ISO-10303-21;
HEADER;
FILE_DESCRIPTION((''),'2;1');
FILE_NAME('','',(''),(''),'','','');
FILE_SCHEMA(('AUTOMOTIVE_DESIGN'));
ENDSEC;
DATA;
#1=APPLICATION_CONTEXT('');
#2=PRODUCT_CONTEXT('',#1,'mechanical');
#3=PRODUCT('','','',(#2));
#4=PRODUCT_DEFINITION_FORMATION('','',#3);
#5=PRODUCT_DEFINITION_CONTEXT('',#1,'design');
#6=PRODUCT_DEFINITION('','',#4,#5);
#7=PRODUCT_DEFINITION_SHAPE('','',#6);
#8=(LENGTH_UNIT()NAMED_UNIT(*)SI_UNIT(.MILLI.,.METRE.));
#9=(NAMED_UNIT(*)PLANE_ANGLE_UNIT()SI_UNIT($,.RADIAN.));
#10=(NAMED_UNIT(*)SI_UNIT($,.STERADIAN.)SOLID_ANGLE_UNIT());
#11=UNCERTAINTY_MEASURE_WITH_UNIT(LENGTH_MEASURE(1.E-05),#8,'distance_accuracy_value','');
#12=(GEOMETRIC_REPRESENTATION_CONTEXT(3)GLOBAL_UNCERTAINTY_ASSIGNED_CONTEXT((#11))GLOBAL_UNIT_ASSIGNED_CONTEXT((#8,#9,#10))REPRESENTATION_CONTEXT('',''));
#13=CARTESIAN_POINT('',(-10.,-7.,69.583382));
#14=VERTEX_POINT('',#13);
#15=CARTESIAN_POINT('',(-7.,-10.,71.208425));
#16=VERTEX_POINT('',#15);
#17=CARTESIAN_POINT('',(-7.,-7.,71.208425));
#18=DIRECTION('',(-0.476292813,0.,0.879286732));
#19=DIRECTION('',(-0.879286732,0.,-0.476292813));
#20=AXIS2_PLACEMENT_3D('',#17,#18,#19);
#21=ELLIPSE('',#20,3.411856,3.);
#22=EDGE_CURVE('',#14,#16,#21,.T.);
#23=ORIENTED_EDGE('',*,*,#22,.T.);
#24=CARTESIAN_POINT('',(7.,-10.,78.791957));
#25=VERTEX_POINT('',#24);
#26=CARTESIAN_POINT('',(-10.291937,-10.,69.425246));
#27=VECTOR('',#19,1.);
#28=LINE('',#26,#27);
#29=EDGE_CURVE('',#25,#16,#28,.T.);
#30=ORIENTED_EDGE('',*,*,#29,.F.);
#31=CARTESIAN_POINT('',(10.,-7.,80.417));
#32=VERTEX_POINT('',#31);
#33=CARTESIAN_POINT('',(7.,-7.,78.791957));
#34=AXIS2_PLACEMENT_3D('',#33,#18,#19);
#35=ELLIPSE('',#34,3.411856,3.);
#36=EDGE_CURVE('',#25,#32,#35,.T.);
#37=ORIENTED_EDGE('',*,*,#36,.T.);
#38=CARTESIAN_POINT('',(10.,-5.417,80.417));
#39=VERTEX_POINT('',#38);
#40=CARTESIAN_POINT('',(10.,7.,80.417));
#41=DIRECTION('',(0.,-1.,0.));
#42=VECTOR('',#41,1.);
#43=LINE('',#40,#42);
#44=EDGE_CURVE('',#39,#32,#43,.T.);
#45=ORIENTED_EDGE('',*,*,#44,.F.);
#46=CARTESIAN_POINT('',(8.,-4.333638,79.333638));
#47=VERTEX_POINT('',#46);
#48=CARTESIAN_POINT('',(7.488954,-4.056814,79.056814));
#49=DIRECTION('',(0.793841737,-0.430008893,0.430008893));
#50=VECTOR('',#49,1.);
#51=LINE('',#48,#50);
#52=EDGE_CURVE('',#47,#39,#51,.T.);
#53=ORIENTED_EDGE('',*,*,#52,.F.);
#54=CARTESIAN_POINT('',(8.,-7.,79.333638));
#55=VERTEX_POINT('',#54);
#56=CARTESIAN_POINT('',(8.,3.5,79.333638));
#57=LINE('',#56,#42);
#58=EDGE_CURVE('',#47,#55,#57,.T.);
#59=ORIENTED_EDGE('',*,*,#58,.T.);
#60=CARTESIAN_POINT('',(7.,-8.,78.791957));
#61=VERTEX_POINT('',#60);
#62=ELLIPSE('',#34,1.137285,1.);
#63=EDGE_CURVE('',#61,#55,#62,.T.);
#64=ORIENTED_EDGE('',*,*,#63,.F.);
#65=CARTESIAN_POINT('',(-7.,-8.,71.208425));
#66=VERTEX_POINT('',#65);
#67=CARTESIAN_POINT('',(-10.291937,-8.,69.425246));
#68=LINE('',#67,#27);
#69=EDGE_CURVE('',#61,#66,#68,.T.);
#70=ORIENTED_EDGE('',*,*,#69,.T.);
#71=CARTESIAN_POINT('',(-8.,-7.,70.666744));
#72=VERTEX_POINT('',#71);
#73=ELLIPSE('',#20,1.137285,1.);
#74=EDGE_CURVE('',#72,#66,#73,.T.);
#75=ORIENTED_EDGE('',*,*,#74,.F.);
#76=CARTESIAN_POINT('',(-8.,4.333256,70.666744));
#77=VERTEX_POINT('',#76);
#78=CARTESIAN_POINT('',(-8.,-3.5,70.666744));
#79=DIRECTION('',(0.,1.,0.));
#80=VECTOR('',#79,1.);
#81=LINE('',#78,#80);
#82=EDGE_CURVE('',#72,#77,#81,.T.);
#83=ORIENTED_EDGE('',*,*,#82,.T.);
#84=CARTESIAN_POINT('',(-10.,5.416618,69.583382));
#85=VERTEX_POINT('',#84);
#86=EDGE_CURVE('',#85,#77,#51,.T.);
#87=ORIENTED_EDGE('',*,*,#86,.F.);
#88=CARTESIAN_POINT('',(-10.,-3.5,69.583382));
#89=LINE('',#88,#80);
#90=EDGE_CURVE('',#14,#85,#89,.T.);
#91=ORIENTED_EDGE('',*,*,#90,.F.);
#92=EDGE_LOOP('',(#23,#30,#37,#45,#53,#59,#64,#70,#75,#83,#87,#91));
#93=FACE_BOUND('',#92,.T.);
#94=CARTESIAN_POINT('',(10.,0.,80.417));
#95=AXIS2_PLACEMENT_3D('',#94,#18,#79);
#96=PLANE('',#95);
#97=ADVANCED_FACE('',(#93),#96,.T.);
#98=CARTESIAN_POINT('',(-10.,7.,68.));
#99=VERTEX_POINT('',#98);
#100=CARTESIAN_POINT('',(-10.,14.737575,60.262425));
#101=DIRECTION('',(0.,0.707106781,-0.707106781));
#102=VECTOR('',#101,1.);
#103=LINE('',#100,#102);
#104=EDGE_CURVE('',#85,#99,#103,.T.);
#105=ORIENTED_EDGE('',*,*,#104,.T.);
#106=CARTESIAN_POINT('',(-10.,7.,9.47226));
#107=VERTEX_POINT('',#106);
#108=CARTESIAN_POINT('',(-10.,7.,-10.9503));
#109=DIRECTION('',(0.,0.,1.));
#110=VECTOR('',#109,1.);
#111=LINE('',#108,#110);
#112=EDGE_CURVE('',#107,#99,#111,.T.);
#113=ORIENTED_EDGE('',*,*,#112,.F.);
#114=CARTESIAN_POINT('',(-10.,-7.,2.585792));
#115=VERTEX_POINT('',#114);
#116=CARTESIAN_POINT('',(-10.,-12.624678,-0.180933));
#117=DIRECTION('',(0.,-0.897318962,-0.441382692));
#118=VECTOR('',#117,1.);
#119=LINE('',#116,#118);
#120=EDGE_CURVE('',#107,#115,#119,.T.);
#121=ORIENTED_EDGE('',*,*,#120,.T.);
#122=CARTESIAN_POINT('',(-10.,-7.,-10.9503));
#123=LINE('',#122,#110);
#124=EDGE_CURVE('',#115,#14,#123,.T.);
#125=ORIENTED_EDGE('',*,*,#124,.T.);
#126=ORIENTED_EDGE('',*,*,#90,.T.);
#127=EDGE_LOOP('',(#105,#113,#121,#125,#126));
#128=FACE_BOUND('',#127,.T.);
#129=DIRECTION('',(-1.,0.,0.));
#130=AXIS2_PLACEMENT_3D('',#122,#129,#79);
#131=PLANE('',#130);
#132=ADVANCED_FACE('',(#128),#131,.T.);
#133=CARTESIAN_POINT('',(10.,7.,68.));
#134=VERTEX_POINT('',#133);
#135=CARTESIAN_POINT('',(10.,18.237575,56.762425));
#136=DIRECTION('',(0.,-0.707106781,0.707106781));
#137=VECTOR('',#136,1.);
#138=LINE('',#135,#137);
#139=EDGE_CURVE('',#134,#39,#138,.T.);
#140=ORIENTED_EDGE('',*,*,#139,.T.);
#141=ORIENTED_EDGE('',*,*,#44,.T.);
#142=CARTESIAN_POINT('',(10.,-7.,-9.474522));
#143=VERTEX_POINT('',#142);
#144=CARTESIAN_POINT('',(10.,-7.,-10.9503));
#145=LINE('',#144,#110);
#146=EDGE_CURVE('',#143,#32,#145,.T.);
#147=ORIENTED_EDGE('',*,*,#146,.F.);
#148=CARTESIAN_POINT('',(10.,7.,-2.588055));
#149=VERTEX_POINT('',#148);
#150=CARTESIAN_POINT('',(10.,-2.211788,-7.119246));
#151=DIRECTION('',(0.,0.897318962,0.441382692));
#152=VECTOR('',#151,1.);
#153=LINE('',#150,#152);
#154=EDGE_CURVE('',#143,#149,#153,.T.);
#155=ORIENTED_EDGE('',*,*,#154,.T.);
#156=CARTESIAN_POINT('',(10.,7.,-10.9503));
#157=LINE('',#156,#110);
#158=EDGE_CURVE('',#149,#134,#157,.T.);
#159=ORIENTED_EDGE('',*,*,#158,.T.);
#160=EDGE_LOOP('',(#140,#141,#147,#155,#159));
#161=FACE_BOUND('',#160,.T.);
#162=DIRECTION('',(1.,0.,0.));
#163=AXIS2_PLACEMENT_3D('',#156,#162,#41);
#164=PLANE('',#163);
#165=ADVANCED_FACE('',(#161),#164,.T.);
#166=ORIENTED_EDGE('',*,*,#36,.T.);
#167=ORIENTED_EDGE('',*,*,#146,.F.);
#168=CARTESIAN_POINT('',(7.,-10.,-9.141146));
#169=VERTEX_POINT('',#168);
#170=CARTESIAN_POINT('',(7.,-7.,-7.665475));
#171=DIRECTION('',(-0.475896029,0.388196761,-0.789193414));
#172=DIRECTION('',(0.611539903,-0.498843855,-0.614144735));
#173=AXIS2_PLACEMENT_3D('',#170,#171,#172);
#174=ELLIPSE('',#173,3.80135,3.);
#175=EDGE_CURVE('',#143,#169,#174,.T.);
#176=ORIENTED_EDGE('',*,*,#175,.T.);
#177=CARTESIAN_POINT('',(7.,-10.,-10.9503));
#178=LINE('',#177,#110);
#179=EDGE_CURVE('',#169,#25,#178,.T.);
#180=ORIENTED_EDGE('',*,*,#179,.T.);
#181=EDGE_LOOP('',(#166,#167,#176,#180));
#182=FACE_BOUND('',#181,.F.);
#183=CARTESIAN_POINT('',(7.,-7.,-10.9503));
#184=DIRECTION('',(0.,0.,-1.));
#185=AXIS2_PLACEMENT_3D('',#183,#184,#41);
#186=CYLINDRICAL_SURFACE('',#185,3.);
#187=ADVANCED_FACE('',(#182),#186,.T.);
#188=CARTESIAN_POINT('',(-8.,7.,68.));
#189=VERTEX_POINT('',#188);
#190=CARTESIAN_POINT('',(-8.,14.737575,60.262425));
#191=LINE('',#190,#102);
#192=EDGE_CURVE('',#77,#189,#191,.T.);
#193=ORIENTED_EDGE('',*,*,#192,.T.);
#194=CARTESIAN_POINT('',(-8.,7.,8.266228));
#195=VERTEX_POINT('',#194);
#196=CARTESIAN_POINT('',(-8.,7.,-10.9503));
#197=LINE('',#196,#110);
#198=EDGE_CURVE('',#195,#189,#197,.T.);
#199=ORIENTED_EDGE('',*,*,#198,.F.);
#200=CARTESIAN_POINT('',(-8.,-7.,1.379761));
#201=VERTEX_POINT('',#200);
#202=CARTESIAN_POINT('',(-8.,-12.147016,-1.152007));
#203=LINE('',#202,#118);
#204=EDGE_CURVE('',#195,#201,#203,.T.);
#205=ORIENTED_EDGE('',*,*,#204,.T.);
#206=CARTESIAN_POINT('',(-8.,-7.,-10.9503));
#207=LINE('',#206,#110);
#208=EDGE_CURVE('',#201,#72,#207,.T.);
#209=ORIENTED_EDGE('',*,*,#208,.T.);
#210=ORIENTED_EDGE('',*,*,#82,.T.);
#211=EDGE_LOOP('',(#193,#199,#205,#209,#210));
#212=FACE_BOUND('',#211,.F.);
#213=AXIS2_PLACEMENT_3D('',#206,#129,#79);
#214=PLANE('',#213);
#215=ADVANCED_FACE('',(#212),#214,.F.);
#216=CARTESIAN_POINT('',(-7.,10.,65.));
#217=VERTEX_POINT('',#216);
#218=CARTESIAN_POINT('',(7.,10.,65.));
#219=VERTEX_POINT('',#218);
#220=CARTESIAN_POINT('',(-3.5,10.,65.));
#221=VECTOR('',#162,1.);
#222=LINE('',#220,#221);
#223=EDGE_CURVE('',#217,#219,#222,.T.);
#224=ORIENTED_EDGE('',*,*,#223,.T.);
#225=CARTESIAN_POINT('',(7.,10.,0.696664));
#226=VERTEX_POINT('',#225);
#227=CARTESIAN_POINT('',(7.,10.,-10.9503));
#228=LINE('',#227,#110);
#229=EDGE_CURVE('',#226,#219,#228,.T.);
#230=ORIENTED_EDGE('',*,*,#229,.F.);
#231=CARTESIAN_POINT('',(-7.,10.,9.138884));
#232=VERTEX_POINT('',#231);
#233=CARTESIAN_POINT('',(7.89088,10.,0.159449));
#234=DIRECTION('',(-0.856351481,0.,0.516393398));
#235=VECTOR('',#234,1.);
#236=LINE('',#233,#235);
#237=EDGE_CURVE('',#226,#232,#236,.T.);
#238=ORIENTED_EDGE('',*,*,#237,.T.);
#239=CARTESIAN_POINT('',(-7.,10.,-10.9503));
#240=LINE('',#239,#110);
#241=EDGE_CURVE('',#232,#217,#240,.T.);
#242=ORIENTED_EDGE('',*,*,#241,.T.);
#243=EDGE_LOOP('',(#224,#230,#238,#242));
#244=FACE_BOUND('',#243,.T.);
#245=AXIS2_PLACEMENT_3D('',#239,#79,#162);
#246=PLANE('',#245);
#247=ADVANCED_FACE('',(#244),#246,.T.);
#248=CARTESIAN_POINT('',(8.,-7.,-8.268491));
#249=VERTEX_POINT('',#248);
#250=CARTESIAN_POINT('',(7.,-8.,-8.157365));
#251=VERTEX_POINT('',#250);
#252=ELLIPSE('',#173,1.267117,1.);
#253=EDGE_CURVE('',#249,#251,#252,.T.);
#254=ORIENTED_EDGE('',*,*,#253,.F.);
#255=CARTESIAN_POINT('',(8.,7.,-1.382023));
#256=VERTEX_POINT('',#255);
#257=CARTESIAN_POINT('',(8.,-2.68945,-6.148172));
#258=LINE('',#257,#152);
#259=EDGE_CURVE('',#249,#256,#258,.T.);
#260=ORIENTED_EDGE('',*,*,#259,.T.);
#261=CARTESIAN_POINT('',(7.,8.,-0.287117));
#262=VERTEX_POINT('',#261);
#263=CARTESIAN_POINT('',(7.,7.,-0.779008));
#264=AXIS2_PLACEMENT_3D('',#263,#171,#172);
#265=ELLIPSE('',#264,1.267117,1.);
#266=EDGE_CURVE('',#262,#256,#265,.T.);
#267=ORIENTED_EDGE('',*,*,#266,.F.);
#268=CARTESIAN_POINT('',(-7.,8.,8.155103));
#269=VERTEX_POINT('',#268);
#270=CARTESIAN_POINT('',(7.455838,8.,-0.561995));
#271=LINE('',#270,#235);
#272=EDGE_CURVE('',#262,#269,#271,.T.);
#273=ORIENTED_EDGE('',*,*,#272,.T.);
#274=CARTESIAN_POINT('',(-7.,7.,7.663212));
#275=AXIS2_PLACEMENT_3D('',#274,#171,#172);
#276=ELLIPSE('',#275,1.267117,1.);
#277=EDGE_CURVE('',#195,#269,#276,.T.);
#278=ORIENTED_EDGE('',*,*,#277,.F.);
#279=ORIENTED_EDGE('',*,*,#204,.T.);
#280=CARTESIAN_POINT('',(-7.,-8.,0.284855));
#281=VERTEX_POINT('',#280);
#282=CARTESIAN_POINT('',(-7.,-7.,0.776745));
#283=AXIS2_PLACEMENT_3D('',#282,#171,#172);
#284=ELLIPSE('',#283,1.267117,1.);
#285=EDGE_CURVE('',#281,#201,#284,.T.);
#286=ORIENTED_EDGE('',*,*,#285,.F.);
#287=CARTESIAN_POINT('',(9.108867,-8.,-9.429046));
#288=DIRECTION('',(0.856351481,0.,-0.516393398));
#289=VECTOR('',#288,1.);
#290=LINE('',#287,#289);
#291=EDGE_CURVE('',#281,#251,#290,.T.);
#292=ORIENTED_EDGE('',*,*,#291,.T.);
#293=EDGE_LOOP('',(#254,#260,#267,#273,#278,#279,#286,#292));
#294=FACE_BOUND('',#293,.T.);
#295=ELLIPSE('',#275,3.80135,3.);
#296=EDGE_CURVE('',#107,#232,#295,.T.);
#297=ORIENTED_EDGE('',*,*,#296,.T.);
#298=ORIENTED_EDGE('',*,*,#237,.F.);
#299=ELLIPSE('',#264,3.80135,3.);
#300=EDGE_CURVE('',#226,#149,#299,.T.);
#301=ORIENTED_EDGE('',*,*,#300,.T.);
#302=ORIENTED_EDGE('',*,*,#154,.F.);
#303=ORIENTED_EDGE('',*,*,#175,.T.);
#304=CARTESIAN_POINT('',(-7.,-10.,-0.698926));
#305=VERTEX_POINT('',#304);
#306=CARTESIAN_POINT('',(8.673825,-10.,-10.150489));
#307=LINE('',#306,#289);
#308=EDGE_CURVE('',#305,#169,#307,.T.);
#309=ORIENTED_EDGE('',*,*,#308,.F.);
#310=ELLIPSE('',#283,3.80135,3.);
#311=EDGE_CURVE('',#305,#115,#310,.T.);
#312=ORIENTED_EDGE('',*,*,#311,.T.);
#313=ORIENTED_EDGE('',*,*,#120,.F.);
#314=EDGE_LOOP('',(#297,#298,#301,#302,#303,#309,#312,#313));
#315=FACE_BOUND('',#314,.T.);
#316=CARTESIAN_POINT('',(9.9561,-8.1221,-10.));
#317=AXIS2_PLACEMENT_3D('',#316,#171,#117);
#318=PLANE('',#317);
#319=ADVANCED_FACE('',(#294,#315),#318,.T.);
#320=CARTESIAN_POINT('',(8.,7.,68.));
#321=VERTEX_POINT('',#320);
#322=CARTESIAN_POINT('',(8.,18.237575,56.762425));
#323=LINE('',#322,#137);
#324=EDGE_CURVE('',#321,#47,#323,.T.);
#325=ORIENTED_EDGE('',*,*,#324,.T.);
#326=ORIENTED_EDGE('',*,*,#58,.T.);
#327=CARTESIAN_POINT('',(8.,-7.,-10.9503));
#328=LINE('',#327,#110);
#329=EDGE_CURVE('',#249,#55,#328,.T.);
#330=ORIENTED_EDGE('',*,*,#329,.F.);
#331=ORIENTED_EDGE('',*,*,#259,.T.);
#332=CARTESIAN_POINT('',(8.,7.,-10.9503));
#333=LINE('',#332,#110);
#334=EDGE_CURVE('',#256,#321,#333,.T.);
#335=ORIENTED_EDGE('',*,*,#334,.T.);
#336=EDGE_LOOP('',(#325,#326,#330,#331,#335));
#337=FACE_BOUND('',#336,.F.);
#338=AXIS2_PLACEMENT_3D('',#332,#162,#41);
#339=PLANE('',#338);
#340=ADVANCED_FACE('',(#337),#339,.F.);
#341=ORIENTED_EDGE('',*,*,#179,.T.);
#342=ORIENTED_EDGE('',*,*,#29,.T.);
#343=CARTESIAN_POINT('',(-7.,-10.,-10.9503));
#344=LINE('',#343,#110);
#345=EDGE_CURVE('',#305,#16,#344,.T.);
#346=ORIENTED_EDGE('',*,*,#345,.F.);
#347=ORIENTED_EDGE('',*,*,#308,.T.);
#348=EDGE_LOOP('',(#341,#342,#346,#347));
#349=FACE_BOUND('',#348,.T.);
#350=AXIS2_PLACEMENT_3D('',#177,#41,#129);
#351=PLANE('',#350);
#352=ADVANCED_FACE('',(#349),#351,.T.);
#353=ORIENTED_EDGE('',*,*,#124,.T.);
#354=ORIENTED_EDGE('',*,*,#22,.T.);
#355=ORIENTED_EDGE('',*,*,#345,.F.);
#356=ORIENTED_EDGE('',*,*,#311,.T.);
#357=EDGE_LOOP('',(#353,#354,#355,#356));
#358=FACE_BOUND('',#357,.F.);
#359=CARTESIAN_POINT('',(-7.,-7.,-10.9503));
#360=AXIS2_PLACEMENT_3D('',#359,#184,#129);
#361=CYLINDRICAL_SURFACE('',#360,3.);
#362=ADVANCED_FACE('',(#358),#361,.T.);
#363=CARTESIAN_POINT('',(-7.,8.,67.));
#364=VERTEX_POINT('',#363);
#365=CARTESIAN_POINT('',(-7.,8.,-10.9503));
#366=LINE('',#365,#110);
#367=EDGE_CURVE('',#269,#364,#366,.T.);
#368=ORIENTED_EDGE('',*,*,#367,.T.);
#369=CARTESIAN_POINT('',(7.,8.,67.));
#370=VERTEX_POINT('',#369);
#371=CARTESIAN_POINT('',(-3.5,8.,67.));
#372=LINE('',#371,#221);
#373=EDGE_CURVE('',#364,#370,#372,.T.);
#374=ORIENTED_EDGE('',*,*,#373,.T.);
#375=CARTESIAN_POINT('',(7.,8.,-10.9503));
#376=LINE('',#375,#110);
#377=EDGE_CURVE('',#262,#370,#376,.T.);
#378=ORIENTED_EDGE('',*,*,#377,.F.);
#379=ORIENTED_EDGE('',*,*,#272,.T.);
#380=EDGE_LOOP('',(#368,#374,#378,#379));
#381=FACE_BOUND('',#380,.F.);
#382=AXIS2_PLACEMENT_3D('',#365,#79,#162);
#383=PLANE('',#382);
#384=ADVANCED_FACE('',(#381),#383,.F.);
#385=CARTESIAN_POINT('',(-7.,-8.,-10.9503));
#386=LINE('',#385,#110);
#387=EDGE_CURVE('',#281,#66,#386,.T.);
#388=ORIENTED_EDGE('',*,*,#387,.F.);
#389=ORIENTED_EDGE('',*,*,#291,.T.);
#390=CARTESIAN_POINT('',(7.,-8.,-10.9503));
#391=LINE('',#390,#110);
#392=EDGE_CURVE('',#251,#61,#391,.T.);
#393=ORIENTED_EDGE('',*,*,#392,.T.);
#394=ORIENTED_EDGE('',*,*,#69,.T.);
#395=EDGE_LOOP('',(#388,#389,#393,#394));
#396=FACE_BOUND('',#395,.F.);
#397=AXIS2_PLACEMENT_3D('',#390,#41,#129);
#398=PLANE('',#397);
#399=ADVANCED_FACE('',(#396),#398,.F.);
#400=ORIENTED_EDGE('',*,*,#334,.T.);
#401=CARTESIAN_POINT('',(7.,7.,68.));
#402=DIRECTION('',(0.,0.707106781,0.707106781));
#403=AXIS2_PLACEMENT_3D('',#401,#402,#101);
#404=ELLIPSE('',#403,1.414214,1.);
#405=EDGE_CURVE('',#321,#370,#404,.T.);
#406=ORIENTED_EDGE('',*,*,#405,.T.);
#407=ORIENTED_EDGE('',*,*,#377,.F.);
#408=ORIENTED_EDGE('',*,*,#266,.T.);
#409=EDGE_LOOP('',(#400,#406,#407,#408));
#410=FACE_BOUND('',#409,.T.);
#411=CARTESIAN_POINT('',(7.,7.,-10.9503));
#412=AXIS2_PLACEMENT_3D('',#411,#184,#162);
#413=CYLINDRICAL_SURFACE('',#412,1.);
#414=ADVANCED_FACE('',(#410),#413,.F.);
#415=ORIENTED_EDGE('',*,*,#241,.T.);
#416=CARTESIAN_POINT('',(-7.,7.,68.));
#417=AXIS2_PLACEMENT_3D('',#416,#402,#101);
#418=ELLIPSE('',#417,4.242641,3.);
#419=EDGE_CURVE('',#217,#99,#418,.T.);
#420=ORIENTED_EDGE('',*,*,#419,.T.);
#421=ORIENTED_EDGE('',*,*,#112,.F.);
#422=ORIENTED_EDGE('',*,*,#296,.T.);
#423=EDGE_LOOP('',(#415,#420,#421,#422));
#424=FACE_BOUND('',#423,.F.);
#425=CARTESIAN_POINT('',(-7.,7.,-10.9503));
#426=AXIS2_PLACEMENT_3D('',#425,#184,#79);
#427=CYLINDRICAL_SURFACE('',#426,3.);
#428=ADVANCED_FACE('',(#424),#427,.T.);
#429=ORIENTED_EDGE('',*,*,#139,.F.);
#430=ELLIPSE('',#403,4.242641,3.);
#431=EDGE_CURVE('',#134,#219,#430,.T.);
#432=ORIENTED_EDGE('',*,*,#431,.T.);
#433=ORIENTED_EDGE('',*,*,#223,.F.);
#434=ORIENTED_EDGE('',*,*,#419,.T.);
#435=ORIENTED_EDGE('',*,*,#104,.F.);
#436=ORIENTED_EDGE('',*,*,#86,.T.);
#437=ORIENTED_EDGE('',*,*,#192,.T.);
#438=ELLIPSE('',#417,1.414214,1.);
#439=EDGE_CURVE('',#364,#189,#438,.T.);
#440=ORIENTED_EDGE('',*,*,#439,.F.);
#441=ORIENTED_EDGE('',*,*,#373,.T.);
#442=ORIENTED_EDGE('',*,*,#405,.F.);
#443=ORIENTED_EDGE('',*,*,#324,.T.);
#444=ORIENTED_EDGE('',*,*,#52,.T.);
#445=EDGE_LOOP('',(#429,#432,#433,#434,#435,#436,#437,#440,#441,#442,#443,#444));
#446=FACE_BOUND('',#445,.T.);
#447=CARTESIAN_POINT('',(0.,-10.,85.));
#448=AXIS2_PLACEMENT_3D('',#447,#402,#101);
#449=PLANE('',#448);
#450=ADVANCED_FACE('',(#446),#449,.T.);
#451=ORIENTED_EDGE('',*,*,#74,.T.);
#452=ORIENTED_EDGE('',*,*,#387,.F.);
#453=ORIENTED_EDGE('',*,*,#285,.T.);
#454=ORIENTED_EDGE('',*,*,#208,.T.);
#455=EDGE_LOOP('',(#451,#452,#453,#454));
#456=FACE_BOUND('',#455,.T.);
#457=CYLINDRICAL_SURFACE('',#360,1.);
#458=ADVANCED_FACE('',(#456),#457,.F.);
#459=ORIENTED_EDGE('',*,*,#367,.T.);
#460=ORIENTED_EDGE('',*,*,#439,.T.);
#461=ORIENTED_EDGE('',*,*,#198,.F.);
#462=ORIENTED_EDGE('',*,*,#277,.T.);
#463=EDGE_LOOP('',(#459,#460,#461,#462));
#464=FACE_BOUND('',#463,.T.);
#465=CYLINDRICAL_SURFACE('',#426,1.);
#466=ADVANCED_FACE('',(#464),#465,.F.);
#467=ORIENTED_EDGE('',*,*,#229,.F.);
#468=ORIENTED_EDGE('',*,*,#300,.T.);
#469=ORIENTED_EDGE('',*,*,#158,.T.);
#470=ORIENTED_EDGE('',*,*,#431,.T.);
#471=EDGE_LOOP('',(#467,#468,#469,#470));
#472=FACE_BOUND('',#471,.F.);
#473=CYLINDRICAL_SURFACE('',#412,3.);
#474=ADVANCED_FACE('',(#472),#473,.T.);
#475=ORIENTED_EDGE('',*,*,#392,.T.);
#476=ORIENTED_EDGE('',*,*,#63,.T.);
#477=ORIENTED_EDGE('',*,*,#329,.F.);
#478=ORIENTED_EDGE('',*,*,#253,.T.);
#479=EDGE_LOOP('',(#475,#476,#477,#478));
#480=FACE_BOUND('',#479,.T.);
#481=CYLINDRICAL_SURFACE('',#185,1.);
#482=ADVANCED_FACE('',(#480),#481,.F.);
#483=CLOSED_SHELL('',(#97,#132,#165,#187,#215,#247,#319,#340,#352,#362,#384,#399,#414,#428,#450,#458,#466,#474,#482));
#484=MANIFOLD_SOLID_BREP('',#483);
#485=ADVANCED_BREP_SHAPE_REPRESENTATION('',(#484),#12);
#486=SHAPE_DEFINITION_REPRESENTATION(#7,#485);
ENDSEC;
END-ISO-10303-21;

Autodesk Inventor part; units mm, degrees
ref_plane "Start Plane" through (0, 0, -10.9503) normal (0, 0, 1) x (1, 0, 0)
ref_plane "End Plane" through (0, 0, 80.417) normal (0, 0, 1) x (1, 0, 0)
sketch "Sketch" plane through (0, 0, 0) normal (0, 0, 1) x (1, 0, 0)
  line L0 (-10, -7) -> (-10, 7)
  line L1 (-7, 10) -> (7, 10)
  line L2 (10, 7) -> (10, -7)
  line L3 (7, -10) -> (-7, -10)
  arc A0 (-10, -7) -> (-7, -10) centre (-7, -7) ccw
  arc A1 (-7, 10) -> (-10, 7) centre (-7, 7) ccw
  arc A2 (10, 7) -> (7, 10) centre (7, 7) ccw
  arc A3 (7, -10) -> (10, -7) centre (7, -7) ccw
  arc A4 (-7, 8) -> (-8, 7) centre (-7, 7) ccw
  line L4 (-7, 8) -> (7, 8)
  arc A5 (8, 7) -> (7, 8) centre (7, 7) ccw
  line L5 (8, 7) -> (8, -7)
  arc A6 (7, -8) -> (8, -7) centre (7, -7) ccw
  line L6 (7, -8) -> (-7, -8)
  arc A7 (-8, -7) -> (-7, -8) centre (-7, -7) ccw
  line L7 (-8, -7) -> (-8, 7)
  line L8 (0, 14.8698) -> (0, -14.8698) construction
  line L9 (-14.8698, 0) -> (14.8698, 0) construction
  dimension "d7" = 3
  dimension "d10" = 20
  dimension "d11" = 20
  dimension "d12" = 2
  dimension "d15" = 10
  dimension "d16" = 10
extrude "Body" add sketch "Sketch" along normal up to surface (91.3673 mm away) from surface at -10.9503
sketch "Sketch3" plane through (0, 0, 0) normal (0, 0, 1) x (1, 0, 0)
  line L0 (0, 0) -> (10, 0)
ref_plane "Work Plane3" through (0, 0, 0) normal (0, -1, 0) x (1, 0, 0)
sketch "Sketch4" plane through (0, 0, 0) normal (0, -1, 0) x (1, 0, 0)
  line L0 (-2, -10.9503) -> (12, -10.9503)
  line L1 (-2, 80.417) -> (12, 80.417)
  dimension "d18" = 91.3673
ref_plane "Work Plane4" through (0, -10, 85) normal (0, 0.7071, 0.7071) x (1, 0, 0)
split "Split1" plane through (0, -10, 85) removes the side toward (0, 0.7071, 0.7071)
ref_plane "Work Plane5" through (9.9561, -8.1221, -10) normal (-0.4759, 0.3882, -0.7892) x (-0.0742, 0.8764, 0.4759)
split "Split2" plane through (9.9561, -8.1221, -10) removes the side toward (-0.4759, 0.3882, -0.7892)
ref_plane "Work Plane6" through (10, 0, 80.417) normal (-0.4763, 0, 0.8793) x (0.8793, 0, 0.4763)
split "Split3" plane through (10, 0, 80.417) removes the side toward (-0.4763, 0, 0.8793)
equation "\"d7\" = G_IR"
equation "\"d10\" = G_H"
equation "\"d11\" = G_W"
equation "\"d12\" = G_T"
equation "\"d15\" = 0.5 * d10"
equation "\"d16\" = 0.5 * d11"
equation "\"d3\" = G_L"
equation "\"G_W\" = 20"
equation "\"G_H\" = 20"
equation "\"G_T\" = 2"
equation "\"G_IR\" = 3"
equation "\"G_L\" = 90.40511"
equation "\"G_OFFSET_START\" = 10.95031"
equation "\"G_OFFSET_END\" = 5.41698"
equation "\"d13\" = -G_OFFSET_START"
equation "\"d14\" = G_OFFSET_END + B_L"
equation "\"B_L\" = 75"
properties part number "ISO 12633-2 - 20x20x2 - 90.41" material "Steel, Mild"
